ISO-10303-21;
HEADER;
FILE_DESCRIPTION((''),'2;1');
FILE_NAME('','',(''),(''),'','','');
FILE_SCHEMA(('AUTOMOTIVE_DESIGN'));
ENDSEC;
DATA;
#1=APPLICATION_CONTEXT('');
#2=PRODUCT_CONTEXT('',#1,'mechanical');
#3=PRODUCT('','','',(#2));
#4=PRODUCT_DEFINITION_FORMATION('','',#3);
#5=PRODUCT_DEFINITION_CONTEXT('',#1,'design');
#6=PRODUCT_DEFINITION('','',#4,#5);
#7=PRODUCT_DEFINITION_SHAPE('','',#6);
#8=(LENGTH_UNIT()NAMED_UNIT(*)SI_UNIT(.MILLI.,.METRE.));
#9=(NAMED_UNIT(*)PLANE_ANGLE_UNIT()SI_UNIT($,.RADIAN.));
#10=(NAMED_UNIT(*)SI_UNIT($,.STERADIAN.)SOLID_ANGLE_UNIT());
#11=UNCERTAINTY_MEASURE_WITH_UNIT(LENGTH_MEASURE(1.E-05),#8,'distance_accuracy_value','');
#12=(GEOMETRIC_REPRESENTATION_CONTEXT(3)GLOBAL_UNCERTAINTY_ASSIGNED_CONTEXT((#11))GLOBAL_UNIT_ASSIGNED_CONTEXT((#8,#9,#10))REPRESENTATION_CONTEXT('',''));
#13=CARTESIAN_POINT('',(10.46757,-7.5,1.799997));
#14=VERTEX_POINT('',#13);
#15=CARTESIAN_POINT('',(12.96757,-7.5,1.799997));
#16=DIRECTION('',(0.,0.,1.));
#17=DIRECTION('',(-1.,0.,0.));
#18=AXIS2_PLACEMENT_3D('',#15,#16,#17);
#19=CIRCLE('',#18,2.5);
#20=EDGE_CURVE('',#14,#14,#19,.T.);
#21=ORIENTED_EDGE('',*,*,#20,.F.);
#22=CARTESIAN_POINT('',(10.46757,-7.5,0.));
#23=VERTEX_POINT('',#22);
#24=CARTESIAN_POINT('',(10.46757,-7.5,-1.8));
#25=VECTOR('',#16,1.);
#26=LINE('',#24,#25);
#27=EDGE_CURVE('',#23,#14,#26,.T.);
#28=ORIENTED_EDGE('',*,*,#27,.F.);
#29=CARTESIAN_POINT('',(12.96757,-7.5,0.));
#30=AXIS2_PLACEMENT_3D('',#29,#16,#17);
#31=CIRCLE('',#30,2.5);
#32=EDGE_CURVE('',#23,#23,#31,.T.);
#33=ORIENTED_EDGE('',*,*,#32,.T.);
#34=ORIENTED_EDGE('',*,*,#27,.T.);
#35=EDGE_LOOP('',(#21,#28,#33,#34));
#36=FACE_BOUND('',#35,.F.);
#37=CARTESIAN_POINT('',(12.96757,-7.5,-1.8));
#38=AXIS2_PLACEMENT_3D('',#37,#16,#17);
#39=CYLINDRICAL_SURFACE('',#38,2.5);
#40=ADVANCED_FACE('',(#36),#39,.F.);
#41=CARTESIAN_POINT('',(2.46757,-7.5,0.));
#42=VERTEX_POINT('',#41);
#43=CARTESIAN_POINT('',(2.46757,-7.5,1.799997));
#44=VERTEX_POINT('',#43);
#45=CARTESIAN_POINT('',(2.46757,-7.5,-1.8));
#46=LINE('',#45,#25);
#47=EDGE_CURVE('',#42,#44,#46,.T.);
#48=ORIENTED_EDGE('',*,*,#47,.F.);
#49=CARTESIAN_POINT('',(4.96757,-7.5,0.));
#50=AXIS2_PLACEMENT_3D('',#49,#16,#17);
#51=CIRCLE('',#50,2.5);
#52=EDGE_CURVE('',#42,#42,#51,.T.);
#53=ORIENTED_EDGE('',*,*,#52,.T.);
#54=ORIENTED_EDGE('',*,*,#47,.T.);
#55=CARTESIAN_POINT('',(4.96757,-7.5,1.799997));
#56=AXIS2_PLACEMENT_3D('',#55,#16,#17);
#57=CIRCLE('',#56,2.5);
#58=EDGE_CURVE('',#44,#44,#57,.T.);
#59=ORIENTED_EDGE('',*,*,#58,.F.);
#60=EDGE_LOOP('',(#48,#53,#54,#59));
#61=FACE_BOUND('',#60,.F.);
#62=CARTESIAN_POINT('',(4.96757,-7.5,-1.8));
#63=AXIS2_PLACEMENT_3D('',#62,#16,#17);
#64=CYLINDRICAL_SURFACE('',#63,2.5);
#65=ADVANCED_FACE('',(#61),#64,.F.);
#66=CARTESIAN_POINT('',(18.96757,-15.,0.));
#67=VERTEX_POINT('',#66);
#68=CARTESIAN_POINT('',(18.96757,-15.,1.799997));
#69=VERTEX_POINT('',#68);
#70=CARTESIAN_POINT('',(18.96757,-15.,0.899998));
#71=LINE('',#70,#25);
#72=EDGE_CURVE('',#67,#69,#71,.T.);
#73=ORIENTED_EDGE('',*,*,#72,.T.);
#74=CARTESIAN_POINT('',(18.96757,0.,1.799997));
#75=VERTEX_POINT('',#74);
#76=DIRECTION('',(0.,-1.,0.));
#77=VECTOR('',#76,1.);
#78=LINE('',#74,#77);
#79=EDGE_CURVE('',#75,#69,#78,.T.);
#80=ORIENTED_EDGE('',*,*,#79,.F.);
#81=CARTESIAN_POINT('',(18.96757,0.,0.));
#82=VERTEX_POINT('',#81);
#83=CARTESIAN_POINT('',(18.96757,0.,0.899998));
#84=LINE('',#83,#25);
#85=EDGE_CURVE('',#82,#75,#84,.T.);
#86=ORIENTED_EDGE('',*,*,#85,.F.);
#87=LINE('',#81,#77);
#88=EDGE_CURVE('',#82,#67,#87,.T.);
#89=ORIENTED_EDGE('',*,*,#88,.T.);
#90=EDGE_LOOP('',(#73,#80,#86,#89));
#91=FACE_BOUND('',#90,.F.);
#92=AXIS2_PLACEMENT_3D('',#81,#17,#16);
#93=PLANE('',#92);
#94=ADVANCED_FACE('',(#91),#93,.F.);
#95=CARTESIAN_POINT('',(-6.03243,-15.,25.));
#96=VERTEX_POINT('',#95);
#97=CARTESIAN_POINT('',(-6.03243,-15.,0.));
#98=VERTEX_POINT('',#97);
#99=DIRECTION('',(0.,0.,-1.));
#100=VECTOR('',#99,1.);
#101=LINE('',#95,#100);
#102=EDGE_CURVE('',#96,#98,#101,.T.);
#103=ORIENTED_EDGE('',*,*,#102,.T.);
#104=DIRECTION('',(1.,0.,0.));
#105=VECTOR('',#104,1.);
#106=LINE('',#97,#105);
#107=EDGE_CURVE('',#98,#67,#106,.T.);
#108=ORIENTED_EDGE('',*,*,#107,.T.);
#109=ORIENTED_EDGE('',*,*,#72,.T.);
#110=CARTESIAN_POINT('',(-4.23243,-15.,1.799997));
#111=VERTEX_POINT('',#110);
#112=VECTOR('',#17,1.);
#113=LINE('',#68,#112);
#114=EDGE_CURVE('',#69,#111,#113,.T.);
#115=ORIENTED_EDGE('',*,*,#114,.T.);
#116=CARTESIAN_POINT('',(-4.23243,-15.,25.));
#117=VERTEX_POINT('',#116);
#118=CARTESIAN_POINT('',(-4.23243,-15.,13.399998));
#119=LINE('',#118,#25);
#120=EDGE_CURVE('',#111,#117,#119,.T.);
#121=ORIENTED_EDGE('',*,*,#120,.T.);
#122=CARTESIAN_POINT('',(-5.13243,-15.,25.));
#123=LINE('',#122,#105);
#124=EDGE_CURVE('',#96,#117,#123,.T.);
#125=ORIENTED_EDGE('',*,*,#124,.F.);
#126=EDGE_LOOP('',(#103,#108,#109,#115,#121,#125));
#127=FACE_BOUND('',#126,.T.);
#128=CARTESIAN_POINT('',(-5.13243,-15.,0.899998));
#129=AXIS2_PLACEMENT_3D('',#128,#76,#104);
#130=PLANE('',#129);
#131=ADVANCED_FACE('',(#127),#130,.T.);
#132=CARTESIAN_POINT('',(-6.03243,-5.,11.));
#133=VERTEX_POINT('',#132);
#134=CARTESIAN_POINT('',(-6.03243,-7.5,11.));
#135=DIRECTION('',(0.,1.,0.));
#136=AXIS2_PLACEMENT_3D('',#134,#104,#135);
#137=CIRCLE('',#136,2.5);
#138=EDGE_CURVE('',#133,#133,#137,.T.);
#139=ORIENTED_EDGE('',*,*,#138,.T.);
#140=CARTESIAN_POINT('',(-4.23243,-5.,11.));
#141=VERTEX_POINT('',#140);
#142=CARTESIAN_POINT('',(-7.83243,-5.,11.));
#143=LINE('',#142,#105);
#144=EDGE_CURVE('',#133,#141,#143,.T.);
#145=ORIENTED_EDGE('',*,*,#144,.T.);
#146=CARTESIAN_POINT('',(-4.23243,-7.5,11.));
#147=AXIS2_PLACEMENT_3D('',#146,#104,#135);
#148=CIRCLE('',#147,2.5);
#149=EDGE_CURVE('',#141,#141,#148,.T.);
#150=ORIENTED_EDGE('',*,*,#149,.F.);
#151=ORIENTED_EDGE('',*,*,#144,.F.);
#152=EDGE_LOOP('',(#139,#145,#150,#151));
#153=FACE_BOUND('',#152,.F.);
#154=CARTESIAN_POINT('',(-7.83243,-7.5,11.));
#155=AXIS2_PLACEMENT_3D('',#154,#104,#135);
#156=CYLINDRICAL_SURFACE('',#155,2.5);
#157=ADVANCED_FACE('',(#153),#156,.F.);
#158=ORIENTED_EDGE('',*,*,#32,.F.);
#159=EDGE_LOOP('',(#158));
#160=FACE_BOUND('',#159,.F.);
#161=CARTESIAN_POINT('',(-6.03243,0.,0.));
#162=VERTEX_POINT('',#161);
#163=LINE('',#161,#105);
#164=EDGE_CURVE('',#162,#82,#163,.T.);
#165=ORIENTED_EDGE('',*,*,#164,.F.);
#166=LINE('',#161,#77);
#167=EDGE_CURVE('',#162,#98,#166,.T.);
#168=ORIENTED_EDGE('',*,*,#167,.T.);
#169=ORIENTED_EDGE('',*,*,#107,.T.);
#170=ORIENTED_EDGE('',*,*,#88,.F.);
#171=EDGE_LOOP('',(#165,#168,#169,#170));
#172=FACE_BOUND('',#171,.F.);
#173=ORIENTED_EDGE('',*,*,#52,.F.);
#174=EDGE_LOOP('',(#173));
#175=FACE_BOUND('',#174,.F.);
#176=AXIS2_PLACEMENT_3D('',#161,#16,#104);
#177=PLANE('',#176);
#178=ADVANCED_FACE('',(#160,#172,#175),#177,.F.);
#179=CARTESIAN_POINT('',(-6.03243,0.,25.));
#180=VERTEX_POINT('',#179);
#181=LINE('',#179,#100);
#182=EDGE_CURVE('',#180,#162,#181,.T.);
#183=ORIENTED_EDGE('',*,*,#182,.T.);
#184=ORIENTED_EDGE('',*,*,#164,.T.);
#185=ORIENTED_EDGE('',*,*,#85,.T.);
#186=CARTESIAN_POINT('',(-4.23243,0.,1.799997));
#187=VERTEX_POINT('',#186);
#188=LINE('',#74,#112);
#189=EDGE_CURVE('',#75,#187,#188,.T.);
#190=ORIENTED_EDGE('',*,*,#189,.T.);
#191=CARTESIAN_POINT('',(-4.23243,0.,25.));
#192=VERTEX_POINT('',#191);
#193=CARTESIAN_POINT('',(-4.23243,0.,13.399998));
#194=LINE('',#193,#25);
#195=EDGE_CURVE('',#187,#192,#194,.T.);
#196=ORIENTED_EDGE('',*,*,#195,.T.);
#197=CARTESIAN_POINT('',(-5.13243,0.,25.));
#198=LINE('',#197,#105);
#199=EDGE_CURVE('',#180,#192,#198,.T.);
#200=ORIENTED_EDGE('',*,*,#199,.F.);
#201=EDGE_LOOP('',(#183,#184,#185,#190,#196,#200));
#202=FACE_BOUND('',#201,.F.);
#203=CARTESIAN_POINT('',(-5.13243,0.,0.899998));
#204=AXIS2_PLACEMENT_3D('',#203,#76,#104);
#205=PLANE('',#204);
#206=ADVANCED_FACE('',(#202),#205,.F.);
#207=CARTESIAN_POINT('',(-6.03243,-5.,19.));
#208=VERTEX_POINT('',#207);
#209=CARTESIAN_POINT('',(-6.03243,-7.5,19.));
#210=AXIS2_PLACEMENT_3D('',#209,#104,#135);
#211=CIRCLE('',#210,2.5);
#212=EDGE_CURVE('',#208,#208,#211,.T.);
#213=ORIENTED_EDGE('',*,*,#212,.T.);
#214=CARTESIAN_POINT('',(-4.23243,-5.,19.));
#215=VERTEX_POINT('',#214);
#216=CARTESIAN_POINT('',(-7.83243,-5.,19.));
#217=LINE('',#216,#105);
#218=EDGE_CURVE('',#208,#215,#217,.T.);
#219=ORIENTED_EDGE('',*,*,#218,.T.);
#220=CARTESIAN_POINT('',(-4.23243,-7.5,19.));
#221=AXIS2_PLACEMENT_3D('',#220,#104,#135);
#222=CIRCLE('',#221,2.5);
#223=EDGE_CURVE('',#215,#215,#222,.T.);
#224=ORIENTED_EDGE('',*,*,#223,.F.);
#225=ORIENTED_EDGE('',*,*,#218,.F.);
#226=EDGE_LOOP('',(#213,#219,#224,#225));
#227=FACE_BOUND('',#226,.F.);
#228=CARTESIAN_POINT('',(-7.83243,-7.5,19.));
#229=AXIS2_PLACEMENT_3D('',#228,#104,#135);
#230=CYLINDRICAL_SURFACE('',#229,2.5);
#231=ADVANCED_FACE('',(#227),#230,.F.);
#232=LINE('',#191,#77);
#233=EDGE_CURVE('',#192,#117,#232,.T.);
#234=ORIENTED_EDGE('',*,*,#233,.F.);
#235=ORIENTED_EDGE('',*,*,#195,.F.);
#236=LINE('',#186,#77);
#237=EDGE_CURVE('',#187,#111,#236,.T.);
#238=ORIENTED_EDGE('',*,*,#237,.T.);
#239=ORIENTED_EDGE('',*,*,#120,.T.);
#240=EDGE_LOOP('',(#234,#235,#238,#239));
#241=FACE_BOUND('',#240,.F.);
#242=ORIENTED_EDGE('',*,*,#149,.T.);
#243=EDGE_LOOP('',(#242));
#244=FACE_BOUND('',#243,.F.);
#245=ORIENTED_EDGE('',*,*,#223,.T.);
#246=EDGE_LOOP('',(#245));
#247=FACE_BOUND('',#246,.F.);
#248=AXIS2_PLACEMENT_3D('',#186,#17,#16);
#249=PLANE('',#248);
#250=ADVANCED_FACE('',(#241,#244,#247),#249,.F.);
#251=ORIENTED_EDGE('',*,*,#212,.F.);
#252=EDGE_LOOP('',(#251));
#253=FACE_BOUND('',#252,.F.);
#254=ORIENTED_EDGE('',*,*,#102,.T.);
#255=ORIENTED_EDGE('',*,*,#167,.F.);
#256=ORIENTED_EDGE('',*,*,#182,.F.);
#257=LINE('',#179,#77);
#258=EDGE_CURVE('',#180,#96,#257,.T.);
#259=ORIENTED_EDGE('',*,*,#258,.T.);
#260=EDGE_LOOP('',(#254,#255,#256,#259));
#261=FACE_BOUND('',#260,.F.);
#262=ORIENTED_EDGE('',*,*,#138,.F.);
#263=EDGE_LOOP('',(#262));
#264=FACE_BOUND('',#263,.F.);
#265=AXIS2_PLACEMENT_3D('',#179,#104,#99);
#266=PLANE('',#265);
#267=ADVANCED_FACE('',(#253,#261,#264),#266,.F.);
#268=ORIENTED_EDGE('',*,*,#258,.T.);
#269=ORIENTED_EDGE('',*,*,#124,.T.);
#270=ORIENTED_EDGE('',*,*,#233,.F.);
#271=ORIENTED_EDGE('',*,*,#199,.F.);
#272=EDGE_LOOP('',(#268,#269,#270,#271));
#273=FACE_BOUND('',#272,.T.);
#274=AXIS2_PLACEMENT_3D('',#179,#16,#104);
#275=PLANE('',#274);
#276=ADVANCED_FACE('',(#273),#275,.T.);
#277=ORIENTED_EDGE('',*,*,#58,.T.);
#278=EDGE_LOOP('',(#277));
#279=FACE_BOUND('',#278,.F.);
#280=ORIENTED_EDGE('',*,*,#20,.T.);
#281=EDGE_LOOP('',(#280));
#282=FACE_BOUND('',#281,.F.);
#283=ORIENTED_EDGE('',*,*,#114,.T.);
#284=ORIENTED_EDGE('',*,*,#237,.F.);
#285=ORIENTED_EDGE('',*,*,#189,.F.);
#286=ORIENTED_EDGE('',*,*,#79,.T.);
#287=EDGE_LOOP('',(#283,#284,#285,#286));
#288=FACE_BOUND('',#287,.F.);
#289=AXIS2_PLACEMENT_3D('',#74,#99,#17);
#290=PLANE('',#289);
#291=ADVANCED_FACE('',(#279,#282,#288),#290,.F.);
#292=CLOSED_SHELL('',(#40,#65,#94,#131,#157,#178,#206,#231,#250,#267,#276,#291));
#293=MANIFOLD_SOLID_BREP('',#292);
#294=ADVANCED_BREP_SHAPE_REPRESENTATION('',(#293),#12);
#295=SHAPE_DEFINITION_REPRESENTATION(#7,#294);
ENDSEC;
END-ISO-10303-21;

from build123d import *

# Parameters (mm, degrees)
F0_W           = 1.8
F0_H           = 1.7999967287
F0_W_2         = 23.2
F0_H_2         = 23.2000032713
F1_DEPTH       = 15
F4_D           = 5
F4_DEPTH       = 1.8
F4_TIP         = 1.5021515476
F4_ON_F3_D     = 5
F4_ON_F3_DEPTH = 1.8
F4_ON_F3_TIP   = 1.5021515476


with BuildPart() as f1:
    # F0 (on Front) → F1 (new body)
    with BuildSketch(Plane.XZ):
        with Locations((-5.1324295796, 0.8999983644)):
            Rectangle(F0_W, F0_H)
        with Locations((7.3675704204, 0.8999983644)):
            Rectangle(F0_W_2, F0_H)
        with Locations((-5.1324295796, 13.3999983644)):
            Rectangle(F0_W, F0_H_2)
    extrude(amount=F1_DEPTH)

    # F4
    with Locations(Plane(origin=(-6.0324295796, 0, 0), x_dir=(0, -1, 0), z_dir=(-1, 0, 0))):
        with Locations((7.5, 19), (7.5, 11)):
            Hole(F4_D / 2, depth=F4_DEPTH)
            with Locations((0, 0, -(F4_DEPTH + F4_TIP / 2))):  # 118° drill point
                Cone(0, F4_D / 2, F4_TIP, mode=Mode.SUBTRACT)

    # F4 on F3
    with Locations(Plane(origin=(0, 0, 0), x_dir=(1, 0, 0), z_dir=(0, 0, -1))):
        with Locations((4.9675704204, 7.5), (12.9675704204, 7.5)):
            Hole(F4_ON_F3_D / 2, depth=F4_ON_F3_DEPTH)
            with Locations((0, 0, -(F4_ON_F3_DEPTH + F4_ON_F3_TIP / 2))):  # 118° drill point
                Cone(0, F4_ON_F3_D / 2, F4_ON_F3_TIP, mode=Mode.SUBTRACT)


solid = f1.part
